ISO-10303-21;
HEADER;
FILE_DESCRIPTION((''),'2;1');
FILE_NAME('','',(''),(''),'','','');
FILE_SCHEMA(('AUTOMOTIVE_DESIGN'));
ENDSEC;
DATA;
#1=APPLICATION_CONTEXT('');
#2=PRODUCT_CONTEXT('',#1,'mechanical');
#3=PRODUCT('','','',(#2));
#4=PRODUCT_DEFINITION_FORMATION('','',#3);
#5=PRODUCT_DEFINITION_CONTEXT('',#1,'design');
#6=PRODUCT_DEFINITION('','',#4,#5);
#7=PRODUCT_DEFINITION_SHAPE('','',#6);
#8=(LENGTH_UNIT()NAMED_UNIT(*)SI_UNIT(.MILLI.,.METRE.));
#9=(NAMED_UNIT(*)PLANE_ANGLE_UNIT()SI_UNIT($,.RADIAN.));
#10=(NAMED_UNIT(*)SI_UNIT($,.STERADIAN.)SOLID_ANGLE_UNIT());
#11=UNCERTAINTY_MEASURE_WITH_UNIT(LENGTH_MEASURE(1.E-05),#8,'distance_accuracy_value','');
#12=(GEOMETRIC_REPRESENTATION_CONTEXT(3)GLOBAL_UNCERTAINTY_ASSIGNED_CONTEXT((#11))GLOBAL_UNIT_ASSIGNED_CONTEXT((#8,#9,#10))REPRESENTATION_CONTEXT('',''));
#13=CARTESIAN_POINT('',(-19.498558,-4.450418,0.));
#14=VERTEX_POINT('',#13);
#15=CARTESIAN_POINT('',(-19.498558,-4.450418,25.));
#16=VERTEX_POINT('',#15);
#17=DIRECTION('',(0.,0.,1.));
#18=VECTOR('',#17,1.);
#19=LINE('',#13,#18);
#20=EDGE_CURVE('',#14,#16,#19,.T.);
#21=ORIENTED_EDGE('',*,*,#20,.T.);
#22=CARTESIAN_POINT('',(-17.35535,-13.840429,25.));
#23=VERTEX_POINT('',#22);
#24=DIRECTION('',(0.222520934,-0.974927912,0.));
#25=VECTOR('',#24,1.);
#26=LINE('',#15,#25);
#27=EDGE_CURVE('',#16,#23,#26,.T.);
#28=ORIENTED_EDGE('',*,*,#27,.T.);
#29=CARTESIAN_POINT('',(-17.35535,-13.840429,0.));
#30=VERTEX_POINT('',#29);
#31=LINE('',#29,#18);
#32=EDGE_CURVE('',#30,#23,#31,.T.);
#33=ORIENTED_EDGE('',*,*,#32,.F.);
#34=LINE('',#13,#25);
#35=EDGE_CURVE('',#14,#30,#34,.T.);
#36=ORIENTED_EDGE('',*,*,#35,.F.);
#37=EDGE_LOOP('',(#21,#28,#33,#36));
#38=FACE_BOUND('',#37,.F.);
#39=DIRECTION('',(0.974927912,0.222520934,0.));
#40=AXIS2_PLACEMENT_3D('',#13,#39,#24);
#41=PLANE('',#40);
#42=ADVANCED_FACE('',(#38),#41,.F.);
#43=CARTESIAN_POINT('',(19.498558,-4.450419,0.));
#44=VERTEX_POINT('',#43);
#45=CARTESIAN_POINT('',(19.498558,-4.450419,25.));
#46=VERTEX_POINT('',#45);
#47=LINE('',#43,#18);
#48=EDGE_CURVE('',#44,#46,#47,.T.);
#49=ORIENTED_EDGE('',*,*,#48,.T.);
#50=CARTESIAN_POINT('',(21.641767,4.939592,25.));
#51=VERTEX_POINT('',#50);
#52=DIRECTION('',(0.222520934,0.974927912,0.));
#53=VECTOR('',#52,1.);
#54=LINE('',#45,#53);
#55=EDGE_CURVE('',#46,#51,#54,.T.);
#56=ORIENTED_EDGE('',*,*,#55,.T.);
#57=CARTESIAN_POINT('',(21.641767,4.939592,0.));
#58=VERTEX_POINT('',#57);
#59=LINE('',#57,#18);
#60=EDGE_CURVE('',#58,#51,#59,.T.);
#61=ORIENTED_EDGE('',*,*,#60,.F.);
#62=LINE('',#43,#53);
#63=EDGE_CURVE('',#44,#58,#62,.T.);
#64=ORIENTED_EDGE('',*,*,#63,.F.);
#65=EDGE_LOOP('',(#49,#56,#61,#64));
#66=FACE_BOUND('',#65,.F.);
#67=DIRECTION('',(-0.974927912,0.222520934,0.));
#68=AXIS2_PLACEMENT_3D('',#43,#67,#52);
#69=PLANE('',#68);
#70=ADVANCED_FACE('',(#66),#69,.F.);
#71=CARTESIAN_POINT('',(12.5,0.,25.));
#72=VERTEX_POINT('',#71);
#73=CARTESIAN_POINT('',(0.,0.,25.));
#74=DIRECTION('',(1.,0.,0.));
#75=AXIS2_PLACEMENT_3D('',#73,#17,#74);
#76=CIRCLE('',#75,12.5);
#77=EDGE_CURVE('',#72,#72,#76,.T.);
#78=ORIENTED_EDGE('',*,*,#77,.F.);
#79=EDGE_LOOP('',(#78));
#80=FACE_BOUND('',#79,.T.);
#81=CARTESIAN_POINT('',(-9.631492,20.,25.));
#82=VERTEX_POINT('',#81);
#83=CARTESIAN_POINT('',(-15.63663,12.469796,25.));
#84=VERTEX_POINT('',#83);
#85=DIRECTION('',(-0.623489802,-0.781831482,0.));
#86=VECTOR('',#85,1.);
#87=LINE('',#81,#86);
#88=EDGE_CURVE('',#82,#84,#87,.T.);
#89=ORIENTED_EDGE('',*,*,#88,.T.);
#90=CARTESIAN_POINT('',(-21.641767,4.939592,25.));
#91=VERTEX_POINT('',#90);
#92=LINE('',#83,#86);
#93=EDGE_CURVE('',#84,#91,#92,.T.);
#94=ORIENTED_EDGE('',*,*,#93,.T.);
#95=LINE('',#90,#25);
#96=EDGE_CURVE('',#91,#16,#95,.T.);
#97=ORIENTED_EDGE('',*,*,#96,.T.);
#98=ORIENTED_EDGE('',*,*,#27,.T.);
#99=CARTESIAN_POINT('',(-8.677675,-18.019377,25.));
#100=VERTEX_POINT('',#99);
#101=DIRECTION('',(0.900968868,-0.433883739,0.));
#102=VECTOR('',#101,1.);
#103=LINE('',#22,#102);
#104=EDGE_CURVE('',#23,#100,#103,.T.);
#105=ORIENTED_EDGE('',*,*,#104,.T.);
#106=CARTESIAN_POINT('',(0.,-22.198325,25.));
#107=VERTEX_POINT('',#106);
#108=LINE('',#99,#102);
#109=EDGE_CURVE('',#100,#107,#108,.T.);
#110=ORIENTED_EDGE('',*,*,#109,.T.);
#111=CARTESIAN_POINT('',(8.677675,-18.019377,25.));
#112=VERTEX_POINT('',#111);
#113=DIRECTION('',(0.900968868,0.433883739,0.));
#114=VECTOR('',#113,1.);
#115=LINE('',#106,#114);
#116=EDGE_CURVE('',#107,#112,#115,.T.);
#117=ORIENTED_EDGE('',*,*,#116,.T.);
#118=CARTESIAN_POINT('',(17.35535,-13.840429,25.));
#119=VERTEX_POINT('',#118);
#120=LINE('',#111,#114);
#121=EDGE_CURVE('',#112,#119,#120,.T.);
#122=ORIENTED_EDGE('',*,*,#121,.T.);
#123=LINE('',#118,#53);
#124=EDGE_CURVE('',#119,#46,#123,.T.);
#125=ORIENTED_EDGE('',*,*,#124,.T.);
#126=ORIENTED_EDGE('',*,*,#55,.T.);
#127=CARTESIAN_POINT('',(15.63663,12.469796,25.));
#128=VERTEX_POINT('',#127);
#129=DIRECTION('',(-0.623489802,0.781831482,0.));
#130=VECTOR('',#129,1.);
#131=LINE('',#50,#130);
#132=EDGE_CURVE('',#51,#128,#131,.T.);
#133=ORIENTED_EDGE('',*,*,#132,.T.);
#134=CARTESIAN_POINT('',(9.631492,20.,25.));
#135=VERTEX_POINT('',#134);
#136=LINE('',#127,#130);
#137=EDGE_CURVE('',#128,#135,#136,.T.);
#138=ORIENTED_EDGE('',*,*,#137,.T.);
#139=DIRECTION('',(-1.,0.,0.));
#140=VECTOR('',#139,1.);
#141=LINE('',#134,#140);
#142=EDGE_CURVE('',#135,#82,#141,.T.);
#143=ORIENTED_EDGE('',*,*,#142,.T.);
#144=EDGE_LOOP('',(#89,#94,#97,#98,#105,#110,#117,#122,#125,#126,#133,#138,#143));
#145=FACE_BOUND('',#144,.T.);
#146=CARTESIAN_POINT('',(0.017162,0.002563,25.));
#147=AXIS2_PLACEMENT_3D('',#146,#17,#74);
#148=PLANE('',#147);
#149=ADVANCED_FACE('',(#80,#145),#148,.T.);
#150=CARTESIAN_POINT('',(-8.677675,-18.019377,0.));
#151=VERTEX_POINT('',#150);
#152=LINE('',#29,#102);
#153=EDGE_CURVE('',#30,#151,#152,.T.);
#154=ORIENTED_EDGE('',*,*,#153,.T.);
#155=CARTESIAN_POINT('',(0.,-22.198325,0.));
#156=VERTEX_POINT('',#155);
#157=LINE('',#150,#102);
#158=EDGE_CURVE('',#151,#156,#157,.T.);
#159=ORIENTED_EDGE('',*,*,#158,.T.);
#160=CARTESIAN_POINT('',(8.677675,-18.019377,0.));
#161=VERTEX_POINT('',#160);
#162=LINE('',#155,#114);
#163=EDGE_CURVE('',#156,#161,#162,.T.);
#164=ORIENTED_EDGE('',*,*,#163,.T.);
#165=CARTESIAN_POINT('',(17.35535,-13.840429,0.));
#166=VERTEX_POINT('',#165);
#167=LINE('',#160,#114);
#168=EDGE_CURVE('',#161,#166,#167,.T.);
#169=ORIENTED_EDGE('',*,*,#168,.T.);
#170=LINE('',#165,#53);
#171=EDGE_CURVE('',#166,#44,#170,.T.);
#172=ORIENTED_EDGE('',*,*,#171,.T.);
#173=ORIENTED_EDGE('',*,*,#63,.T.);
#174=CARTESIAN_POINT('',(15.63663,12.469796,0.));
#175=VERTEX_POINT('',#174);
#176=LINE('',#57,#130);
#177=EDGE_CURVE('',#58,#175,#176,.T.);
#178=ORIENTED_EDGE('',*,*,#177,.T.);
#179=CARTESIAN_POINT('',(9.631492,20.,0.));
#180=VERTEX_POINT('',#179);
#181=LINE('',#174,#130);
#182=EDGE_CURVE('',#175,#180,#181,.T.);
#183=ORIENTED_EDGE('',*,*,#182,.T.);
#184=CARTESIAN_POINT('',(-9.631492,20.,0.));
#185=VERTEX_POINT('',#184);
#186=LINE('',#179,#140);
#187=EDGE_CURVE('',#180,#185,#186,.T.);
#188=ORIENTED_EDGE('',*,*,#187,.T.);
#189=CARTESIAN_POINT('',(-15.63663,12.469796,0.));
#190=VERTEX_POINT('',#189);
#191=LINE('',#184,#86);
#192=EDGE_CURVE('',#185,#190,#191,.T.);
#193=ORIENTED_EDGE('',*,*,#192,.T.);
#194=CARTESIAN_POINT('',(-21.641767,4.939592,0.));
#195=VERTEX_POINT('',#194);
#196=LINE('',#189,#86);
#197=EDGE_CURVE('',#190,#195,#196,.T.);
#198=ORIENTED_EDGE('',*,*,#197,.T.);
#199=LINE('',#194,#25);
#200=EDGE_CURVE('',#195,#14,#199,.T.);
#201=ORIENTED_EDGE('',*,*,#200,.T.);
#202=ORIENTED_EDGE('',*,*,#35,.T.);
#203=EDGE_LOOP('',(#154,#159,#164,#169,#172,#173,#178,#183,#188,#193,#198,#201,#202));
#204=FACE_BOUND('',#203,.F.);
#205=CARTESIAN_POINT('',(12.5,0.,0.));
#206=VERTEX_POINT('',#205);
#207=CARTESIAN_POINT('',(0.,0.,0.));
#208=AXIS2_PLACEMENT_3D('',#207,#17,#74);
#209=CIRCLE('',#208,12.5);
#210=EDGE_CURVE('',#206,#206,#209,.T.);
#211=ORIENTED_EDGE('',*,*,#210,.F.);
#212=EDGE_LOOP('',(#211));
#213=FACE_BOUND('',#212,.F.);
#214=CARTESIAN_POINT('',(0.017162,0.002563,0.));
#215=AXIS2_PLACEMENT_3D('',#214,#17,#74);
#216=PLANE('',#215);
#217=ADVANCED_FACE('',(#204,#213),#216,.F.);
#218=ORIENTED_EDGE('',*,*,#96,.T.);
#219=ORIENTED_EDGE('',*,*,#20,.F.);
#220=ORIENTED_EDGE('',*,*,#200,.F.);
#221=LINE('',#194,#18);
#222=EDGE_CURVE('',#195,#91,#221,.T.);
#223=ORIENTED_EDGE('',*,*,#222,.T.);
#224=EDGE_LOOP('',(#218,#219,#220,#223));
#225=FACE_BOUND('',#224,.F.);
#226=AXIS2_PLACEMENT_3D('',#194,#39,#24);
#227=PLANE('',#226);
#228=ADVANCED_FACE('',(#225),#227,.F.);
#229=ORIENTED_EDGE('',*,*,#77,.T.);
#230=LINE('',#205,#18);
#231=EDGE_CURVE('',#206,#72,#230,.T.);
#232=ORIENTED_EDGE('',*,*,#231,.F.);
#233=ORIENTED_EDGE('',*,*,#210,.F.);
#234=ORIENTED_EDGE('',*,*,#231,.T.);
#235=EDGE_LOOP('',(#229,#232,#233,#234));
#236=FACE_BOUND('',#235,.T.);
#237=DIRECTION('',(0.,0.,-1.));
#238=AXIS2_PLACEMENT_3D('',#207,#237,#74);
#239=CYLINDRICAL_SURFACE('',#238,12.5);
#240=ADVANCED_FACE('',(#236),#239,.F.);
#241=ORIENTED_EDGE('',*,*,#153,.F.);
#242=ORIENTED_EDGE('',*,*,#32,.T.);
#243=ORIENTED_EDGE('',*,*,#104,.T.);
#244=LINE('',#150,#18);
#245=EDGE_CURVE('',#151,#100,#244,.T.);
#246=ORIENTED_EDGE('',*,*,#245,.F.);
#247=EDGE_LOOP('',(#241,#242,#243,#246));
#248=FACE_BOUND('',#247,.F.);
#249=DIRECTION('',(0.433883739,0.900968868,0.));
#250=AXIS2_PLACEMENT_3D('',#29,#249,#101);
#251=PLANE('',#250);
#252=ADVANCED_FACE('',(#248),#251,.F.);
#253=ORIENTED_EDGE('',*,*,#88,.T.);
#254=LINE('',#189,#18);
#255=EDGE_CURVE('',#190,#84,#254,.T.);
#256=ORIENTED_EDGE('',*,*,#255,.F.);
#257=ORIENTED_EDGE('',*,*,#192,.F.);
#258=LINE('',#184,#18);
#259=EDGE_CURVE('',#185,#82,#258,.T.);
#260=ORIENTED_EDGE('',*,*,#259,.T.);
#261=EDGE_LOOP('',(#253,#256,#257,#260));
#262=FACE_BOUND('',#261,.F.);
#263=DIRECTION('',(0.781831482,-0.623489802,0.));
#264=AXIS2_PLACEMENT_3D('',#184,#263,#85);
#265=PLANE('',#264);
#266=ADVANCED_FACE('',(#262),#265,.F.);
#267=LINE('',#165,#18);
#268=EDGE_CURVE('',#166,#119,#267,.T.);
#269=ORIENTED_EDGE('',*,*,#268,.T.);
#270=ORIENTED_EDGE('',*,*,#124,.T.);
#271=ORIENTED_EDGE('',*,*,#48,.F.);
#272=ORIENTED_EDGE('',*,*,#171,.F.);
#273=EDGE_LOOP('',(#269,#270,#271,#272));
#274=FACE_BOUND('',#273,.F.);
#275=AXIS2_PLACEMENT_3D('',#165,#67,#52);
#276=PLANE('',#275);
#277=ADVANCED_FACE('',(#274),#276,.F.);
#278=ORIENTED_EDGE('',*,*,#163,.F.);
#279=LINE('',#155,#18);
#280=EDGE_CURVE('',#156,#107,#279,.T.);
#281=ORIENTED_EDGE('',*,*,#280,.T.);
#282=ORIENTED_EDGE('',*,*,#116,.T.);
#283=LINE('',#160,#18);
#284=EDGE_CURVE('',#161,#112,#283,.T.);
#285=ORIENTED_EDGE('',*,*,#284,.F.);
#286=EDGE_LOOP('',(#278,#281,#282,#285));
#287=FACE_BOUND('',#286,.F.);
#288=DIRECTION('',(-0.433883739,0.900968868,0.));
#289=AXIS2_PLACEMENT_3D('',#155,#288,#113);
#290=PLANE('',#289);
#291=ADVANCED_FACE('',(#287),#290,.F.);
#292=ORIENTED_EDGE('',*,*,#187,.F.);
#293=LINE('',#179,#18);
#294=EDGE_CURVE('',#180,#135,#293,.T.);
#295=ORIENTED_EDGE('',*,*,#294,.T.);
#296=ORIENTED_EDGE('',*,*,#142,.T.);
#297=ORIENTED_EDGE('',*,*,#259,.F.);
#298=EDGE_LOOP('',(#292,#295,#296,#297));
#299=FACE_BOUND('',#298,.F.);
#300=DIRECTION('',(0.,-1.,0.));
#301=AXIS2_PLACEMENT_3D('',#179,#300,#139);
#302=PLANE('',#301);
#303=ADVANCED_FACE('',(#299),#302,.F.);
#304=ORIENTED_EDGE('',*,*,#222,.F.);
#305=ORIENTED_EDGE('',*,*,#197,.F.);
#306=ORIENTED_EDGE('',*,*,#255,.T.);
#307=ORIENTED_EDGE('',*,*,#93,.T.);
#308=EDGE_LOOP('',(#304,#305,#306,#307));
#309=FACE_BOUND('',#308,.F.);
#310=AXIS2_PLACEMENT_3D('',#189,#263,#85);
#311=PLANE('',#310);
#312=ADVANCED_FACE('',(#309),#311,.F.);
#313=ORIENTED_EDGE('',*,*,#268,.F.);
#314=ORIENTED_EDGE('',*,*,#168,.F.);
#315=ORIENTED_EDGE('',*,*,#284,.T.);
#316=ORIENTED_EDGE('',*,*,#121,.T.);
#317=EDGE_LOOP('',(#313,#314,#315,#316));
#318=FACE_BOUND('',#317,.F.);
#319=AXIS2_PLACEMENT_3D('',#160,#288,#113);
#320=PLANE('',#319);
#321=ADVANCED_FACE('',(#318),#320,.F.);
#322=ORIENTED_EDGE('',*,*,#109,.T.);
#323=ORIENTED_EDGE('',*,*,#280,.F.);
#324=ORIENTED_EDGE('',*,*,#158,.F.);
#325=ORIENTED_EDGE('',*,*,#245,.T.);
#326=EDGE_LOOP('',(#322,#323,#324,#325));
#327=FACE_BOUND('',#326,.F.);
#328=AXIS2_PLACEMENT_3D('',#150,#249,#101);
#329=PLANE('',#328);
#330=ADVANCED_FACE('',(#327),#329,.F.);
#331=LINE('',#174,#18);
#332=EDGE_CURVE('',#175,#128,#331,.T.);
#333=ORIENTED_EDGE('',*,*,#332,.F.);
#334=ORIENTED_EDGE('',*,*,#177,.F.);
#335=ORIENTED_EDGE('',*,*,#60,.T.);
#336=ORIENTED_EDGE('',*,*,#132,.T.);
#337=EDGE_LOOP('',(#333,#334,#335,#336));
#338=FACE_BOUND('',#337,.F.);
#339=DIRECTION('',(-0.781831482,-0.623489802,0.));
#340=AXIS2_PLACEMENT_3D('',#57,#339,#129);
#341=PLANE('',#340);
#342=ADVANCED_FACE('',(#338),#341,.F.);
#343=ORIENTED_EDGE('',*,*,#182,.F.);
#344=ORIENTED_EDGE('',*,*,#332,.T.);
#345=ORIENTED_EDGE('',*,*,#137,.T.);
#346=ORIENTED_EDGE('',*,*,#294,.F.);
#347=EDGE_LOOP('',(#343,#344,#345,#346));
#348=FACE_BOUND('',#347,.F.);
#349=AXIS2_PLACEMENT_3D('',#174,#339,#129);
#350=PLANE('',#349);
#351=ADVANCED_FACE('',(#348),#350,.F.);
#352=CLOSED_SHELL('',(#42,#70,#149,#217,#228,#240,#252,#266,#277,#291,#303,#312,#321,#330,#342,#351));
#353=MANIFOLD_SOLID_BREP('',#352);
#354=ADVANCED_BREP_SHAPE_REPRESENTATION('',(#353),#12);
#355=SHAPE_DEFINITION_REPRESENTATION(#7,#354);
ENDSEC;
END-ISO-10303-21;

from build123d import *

# Parameters (mm, degrees)
F0_R     = 12.5
F1_DEPTH = 25


with BuildPart() as f1:
    # F0 (on Top) → F1 (new body)
    with BuildSketch(Plane.XY):
        with BuildLine():
            ThreePointArc((19.4985582729, -4.4504185509), (19.8742442052, -2.2392894567), (20, 0))
            ThreePointArc((20, 0), (18.8776666327, 6.6055811633), (15.6366297495, 12.4697959116))
            ThreePointArc((15.6366297495, 12.4697959116), (8.6776748757, 18.0193773131), (4.66e-08, 20))
            ThreePointArc((4.66e-08, 20), (-8.6776749227, 18.0193772905), (-15.6366298727, 12.4697957572))
            ThreePointArc((-15.6366298727, 12.4697957572), (-19.4985582584, 4.4504186144), (-19.4985582938, -4.4504184593))
            ThreePointArc((-19.4985582938, -4.4504184593), (-15.6366297339, -12.4697959311), (-8.6776748237, -18.0193773382))
            ThreePointArc((-8.6776748237, -18.0193773382), (0, -20), (8.6776748237, -18.0193773382))
            ThreePointArc((8.6776748237, -18.0193773382), (15.6366297047, -12.4697959678), (19.4985582729, -4.4504185509))
        make_face()
        Circle(F0_R, mode=Mode.SUBTRACT)
        with BuildLine():
            ThreePointArc((15.6366297495, 12.4697959116), (18.8776666327, 6.6055811633), (20, 0))
            ThreePointArc((20, 0), (19.8742442052, -2.2392894567), (19.4985582729, -4.4504185509))
            Line((19.4985582729, -4.4504185509), (21.6417669226, 4.9395920743))
            Line((21.6417669226, 4.9395920743), (15.6366297495, 12.4697959116))
        make_face()
        with BuildLine():
            ThreePointArc((4.66e-08, 20), (8.6776748757, 18.0193773131), (15.6366297495, 12.4697959116))
            Line((15.6366297495, 12.4697959116), (9.6314923762, 20))
            Line((9.6314923762, 20), (4.66e-08, 20))
        make_face()
        with BuildLine():
            Line((17.3553495647, -13.8404294326), (19.4985582729, -4.4504185509))
            ThreePointArc((19.4985582729, -4.4504185509), (15.6366297047, -12.4697959678), (8.6776748237, -18.0193773382))
            Line((8.6776748237, -18.0193773382), (17.3553495647, -13.8404294326))
        make_face()
        with BuildLine():
            ThreePointArc((-15.6366298727, 12.4697957572), (-8.6776749227, 18.0193772905), (4.66e-08, 20))
            Line((4.66e-08, 20), (-9.6314923762, 20))
            Line((-9.6314923762, 20), (-15.6366298727, 12.4697957572))
        make_face()
        with BuildLine():
            Line((0, -22.1983252835), (8.6776748237, -18.0193773382))
            ThreePointArc((8.6776748237, -18.0193773382), (0, -20), (-8.6776748237, -18.0193773382))
            Line((-8.6776748237, -18.0193773382), (0, -22.1983252835))
        make_face()
        with BuildLine():
            ThreePointArc((-19.4985582938, -4.4504184593), (-19.4985582584, 4.4504186144), (-15.6366298727, 12.4697957572))
            Line((-15.6366298727, 12.4697957572), (-21.6417669226, 4.9395920743))
            Line((-21.6417669226, 4.9395920743), (-19.4985582938, -4.4504184593))
        make_face()
        with BuildLine():
            Line((-17.3553495647, -13.8404294326), (-8.6776748237, -18.0193773382))
            ThreePointArc((-8.6776748237, -18.0193773382), (-15.6366297339, -12.4697959311), (-19.4985582938, -4.4504184593))
            Line((-19.4985582938, -4.4504184593), (-17.3553495647, -13.8404294326))
        make_face()
    extrude(amount=F1_DEPTH)


solid = f1.part
